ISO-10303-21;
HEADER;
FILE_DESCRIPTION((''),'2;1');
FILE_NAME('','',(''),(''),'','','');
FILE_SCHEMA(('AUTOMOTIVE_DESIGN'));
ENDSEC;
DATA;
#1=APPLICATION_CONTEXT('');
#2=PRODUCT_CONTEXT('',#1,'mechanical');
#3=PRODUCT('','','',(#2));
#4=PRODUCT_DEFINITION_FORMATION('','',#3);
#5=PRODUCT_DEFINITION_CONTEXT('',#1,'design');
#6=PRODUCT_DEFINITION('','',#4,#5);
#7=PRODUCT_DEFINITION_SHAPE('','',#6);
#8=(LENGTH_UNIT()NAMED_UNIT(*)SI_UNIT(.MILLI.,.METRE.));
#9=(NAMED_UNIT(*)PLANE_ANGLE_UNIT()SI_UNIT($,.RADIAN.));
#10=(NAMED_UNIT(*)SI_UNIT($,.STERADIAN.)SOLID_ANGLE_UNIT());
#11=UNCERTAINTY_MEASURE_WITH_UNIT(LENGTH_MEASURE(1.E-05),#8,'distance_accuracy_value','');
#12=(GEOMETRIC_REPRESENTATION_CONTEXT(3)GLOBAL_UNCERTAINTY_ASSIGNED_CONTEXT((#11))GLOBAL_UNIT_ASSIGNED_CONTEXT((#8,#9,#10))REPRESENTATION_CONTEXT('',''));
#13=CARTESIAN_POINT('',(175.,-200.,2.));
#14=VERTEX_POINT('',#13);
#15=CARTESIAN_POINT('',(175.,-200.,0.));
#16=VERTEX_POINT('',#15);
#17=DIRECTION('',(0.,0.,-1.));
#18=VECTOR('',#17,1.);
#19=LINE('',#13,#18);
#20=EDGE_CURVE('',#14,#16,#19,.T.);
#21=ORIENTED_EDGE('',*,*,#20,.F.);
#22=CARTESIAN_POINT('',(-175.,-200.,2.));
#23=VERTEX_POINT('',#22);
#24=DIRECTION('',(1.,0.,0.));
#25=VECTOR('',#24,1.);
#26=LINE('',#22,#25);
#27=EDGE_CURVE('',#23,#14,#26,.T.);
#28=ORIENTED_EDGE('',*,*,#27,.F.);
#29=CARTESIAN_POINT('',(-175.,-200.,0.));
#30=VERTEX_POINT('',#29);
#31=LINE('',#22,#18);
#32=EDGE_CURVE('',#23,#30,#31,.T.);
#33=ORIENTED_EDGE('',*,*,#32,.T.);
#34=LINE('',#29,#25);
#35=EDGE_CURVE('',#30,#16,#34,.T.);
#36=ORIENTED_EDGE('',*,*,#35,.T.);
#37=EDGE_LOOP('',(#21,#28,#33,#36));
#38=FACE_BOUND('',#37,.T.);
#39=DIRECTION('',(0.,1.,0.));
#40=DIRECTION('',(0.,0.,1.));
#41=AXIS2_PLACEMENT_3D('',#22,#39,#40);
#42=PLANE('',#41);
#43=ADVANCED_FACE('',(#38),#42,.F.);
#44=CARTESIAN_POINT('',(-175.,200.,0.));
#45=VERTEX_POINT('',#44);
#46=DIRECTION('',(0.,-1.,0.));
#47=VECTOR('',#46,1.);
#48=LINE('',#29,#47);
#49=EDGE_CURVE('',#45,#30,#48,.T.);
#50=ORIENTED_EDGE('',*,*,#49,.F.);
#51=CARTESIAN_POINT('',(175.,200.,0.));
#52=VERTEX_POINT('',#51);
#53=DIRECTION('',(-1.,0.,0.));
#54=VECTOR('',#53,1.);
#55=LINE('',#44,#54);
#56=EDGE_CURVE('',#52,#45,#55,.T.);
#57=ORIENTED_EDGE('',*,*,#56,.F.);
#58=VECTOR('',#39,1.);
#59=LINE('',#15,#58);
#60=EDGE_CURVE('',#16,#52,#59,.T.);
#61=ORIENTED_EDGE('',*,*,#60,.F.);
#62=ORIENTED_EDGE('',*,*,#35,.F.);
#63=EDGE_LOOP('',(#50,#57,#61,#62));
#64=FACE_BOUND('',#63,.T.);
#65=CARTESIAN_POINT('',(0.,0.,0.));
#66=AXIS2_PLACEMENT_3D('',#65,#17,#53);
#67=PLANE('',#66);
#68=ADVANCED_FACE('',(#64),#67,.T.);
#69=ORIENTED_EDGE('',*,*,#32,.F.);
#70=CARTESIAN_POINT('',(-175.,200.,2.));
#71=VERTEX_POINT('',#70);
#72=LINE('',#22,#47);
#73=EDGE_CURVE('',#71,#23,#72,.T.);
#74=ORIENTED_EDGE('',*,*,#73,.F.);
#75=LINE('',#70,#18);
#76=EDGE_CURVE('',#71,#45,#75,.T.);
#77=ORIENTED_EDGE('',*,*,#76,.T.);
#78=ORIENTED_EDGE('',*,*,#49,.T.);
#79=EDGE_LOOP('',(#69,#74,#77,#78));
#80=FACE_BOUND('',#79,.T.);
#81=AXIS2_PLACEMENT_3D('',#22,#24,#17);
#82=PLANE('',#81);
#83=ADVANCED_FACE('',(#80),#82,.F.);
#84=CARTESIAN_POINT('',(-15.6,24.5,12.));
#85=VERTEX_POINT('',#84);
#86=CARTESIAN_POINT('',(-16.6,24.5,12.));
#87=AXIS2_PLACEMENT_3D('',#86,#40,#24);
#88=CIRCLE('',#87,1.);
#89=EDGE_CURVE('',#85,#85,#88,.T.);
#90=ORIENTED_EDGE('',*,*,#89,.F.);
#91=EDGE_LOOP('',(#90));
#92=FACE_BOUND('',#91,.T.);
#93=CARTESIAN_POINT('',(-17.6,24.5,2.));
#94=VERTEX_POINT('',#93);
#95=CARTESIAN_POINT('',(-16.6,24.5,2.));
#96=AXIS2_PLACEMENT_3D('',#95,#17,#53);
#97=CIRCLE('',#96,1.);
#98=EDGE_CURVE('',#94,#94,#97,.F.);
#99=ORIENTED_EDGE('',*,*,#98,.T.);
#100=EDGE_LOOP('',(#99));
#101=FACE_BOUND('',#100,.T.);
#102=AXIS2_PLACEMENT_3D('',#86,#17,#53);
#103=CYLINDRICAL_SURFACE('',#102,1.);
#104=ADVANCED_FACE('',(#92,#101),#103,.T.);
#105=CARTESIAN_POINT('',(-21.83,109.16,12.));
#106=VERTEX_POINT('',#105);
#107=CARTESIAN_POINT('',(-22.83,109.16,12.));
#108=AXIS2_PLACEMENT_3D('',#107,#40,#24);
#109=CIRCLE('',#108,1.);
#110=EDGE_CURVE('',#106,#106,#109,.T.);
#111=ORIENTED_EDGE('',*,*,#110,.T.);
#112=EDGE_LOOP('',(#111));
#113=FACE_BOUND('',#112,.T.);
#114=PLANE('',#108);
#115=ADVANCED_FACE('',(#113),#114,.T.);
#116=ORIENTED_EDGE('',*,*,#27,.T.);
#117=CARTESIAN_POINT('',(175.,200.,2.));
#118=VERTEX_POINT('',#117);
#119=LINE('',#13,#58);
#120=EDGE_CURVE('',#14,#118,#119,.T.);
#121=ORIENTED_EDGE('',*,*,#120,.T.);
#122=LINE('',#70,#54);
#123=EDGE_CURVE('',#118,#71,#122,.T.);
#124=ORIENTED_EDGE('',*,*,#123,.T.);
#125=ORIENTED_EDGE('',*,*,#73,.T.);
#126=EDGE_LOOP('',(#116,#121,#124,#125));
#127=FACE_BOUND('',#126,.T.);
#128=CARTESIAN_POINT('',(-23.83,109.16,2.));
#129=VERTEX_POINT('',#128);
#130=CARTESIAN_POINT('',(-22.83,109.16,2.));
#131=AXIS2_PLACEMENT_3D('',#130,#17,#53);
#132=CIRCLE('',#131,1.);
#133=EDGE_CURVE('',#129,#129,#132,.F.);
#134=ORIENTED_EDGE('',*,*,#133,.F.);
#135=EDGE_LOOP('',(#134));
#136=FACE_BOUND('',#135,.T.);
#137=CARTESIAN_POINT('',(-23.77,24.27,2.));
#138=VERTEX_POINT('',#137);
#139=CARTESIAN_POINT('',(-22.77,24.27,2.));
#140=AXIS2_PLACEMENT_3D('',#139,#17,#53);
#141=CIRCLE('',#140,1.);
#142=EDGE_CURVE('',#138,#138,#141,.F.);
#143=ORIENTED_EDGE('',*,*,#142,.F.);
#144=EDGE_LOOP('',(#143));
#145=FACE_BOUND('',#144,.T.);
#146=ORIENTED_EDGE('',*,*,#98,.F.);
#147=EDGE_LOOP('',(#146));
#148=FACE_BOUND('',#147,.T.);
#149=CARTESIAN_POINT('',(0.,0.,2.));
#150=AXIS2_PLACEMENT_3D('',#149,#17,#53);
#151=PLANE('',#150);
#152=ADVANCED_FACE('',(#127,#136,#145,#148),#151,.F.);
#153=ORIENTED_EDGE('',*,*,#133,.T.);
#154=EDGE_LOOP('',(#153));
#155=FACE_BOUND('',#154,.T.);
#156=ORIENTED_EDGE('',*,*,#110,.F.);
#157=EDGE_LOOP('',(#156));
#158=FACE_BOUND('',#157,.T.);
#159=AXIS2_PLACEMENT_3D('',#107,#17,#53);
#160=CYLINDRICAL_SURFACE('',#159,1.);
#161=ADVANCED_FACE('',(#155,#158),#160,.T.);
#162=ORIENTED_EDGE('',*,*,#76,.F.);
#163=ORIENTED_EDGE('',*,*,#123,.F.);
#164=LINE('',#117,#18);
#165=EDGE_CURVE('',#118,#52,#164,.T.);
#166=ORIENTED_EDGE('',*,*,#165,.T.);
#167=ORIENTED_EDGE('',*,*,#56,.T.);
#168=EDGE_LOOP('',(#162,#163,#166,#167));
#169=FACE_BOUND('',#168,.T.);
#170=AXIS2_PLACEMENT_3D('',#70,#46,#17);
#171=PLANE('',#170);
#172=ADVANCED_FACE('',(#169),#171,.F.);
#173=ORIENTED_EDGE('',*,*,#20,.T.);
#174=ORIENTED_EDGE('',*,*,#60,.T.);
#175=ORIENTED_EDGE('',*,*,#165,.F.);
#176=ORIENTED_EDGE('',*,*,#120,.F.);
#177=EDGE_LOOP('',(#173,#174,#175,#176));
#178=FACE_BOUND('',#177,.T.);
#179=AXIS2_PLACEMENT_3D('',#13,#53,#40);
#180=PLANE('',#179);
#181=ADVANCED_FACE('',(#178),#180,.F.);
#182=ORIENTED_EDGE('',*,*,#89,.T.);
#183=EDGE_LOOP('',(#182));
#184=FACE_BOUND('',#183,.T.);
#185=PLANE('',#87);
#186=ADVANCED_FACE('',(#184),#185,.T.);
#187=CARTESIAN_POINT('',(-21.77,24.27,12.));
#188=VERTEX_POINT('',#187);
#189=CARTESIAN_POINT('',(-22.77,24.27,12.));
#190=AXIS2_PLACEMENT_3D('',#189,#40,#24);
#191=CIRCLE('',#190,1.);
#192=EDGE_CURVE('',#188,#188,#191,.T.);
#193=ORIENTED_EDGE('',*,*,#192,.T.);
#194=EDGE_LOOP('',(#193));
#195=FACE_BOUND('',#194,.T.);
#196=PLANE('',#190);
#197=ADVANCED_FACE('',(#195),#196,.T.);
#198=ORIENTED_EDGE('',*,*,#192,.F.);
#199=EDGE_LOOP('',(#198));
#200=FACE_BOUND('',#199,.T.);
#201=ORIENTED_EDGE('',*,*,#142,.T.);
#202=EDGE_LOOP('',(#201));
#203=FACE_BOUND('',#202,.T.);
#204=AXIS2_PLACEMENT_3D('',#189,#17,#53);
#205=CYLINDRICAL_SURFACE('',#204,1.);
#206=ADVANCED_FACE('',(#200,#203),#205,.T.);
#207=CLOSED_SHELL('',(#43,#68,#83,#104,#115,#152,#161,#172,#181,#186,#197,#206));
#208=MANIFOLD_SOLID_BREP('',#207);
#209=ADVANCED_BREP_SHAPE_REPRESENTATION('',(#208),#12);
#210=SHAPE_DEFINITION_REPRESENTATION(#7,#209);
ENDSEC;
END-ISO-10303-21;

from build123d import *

# Parameters (mm, degrees)
ESBO_O1_W                = 350
ESBO_O1_H                = 400
RESSALTO_EXTRUS_O1_DEPTH = 2
ESBO_O2_R                = 1
RESSALTO_EXTRUS_O2_DEPTH = 10


with BuildPart() as part:
    # Esboço1 → Ressalto-extrusão1 (new body)
    with BuildSketch(Plane.XY):
        Rectangle(ESBO_O1_W, ESBO_O1_H)
    extrude(amount=RESSALTO_EXTRUS_O1_DEPTH)

    # Esboço2 → Ressalto-extrusão2 (add)
    with BuildSketch(Plane.XY.offset(2)):
        with Locations(Location((-16.6, 24.5, 0), (0, 0, 180))):
            Circle(ESBO_O2_R)
        with Locations(Location((-22.77, 24.27, 0), (0, 0, 180))):
            Circle(ESBO_O2_R)
        with Locations(Location((-22.83, 109.16, 0), (0, 0, 180))):
            Circle(ESBO_O2_R)
    extrude(amount=RESSALTO_EXTRUS_O2_DEPTH)


solid = part.part
